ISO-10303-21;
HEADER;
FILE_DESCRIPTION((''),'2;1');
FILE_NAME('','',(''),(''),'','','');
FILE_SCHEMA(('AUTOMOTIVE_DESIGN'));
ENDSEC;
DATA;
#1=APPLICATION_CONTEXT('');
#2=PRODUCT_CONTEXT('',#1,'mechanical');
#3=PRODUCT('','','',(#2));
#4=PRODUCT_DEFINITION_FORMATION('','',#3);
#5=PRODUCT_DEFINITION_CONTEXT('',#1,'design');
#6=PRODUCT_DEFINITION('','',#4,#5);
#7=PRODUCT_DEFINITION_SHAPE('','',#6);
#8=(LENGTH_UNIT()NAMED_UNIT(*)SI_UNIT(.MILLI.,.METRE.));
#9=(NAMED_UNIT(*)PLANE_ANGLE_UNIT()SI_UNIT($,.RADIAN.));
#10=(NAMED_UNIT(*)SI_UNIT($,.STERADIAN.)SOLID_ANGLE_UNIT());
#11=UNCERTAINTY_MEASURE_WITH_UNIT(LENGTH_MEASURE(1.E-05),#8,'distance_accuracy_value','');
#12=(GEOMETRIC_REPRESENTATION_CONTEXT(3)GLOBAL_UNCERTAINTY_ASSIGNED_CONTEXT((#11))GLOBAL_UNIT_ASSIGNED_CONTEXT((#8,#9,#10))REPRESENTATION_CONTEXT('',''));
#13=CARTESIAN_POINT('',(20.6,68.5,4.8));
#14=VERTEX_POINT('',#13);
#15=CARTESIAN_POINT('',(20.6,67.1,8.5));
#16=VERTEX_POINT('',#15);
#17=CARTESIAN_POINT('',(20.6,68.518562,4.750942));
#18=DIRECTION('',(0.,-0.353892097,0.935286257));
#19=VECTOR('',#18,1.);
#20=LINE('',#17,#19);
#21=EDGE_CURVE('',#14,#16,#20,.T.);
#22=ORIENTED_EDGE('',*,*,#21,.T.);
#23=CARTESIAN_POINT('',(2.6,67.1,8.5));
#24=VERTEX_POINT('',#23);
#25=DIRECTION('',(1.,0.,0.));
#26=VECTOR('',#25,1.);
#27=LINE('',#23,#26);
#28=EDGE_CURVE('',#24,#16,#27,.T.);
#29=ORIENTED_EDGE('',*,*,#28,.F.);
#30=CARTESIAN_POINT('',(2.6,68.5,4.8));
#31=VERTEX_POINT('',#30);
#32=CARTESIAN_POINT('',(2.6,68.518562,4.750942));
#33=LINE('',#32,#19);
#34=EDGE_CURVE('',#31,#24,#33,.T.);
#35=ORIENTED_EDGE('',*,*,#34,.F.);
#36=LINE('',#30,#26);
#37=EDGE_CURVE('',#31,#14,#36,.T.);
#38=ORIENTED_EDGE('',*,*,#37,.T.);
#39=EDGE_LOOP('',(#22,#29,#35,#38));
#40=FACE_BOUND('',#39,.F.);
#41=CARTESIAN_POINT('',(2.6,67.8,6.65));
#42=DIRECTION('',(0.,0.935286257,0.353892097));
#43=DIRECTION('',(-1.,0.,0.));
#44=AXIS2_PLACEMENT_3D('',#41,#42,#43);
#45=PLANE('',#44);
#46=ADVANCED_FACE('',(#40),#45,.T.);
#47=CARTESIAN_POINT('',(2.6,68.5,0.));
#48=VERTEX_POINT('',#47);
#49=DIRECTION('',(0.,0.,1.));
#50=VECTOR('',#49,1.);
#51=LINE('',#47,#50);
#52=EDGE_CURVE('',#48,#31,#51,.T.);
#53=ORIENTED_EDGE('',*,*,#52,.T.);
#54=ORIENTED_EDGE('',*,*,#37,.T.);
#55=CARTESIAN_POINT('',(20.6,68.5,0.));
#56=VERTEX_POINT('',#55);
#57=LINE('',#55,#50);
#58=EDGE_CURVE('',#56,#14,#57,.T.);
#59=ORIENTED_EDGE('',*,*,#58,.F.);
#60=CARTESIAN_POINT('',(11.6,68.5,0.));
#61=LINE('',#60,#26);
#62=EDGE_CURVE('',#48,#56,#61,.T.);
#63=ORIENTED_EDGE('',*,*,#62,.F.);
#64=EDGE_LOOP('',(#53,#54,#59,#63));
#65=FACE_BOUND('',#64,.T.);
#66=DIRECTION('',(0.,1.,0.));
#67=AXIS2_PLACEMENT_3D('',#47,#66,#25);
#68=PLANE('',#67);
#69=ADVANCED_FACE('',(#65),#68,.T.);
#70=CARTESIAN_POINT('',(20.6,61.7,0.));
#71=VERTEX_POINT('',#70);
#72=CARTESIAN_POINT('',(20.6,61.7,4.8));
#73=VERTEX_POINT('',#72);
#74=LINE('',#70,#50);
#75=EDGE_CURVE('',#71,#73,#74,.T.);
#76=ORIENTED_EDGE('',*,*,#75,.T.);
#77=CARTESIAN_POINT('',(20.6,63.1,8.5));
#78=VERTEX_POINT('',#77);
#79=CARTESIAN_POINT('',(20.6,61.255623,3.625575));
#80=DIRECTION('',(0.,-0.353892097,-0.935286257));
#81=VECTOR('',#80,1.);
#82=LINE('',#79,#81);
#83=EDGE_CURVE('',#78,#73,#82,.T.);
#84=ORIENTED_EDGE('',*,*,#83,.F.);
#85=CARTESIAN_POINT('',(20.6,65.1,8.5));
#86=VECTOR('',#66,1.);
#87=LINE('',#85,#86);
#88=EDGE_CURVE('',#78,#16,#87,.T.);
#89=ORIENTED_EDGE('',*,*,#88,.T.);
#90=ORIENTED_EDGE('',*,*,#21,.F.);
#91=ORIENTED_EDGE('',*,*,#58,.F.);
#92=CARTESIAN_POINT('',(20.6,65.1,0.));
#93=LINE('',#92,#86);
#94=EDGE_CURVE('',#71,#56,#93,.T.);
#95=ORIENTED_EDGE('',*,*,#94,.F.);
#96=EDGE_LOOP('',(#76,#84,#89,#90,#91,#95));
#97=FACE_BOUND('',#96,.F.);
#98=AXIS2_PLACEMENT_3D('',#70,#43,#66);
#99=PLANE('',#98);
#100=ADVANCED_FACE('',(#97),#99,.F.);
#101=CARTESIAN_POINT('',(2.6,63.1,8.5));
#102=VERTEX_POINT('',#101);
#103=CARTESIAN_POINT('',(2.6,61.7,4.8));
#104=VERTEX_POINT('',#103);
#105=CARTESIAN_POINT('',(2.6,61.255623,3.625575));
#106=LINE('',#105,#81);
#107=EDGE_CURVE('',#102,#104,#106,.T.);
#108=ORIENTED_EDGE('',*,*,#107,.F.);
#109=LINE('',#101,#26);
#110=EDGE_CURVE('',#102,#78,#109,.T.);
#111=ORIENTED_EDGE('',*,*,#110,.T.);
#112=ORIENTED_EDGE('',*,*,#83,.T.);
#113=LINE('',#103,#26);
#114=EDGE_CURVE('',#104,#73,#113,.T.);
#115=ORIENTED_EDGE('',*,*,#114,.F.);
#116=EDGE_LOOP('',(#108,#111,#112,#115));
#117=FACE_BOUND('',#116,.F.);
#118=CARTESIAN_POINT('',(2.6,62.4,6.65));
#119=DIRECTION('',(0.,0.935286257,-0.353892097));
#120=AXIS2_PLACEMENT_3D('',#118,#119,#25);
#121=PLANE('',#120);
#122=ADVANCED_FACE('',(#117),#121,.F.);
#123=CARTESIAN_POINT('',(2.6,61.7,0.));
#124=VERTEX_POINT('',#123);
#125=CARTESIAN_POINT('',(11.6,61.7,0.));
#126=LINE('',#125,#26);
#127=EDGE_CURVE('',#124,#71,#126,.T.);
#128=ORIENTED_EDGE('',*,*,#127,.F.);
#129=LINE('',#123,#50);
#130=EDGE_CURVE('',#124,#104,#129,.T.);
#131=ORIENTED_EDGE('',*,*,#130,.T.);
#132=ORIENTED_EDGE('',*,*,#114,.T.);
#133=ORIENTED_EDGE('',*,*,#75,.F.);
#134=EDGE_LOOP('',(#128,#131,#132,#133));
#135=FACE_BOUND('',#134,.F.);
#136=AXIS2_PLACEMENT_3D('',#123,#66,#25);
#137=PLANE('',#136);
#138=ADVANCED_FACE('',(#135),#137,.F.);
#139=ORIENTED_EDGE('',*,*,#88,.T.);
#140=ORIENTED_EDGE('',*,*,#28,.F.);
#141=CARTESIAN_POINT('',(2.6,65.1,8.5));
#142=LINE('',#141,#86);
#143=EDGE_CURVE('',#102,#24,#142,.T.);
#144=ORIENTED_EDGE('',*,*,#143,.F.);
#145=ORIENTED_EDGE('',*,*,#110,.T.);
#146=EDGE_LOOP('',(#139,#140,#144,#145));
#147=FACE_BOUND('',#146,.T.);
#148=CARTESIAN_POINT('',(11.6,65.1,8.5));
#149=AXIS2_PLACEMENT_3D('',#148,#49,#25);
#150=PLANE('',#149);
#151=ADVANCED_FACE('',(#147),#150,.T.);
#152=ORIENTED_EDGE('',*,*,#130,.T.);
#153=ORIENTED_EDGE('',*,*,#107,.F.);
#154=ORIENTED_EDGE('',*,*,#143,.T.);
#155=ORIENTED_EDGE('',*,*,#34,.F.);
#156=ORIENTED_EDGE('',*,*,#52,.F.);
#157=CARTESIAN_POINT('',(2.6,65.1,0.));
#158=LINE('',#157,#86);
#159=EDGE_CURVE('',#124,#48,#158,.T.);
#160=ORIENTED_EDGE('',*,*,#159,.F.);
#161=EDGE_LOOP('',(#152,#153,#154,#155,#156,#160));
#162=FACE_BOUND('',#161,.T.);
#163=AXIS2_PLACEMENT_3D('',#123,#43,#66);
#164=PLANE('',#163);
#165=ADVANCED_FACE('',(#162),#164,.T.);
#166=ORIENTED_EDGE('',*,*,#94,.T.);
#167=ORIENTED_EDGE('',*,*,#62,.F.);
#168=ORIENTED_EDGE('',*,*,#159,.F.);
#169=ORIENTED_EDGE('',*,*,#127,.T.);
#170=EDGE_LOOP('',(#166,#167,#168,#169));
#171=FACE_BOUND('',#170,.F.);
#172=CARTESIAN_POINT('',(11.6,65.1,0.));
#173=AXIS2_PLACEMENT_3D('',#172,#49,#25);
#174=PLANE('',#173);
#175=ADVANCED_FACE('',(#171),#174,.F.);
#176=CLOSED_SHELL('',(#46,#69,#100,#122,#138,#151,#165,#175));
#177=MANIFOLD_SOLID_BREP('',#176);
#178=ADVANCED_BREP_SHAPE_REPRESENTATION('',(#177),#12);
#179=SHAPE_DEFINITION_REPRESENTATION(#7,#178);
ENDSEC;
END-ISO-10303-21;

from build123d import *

# Parameters (mm, degrees)
SKETCH015_W      = 18
SKETCH015_H      = 6.8
PAD006_DEPTH     = 8.5
CHAMFER002_SIZE2 = 1.4
CHAMFER002_SIZE  = 3.7
CHAMFER003_SIZE2 = 3.7
CHAMFER003_SIZE  = 1.4


with BuildPart() as part:
    # Sketch015 → Pad006 (new body)
    with BuildSketch(Plane.XY):
        with Locations((38.3, 65.1)):
            Rectangle(SKETCH015_W, SKETCH015_H)
    extrude(amount=PAD006_DEPTH)

    # Chamfer002
    chamfer002_edges = [part.edges().sort_by_distance(p)[0] for p in [
        (38.3, 68.5, 8.5),
    ]]
    chamfer002_side = part.faces().sort_by_distance((38.3, 68.5, 4.25))[0]
    chamfer(chamfer002_edges, length=CHAMFER002_SIZE, length2=CHAMFER002_SIZE2, reference=chamfer002_side)

    # Chamfer003
    chamfer003_edges = [part.edges().sort_by_distance(p)[0] for p in [
        (38.3, 61.7, 8.5),
    ]]
    chamfer003_side = part.faces().sort_by_distance((38.3, 64.4, 8.5))[0]
    chamfer(chamfer003_edges, length=CHAMFER003_SIZE, length2=CHAMFER003_SIZE2, reference=chamfer003_side)


with BuildPart() as part_1:
    # Body026 placement: moved
    add(part.part.moved(Location((-26.7, 0, 0))))


solid = part_1.part
